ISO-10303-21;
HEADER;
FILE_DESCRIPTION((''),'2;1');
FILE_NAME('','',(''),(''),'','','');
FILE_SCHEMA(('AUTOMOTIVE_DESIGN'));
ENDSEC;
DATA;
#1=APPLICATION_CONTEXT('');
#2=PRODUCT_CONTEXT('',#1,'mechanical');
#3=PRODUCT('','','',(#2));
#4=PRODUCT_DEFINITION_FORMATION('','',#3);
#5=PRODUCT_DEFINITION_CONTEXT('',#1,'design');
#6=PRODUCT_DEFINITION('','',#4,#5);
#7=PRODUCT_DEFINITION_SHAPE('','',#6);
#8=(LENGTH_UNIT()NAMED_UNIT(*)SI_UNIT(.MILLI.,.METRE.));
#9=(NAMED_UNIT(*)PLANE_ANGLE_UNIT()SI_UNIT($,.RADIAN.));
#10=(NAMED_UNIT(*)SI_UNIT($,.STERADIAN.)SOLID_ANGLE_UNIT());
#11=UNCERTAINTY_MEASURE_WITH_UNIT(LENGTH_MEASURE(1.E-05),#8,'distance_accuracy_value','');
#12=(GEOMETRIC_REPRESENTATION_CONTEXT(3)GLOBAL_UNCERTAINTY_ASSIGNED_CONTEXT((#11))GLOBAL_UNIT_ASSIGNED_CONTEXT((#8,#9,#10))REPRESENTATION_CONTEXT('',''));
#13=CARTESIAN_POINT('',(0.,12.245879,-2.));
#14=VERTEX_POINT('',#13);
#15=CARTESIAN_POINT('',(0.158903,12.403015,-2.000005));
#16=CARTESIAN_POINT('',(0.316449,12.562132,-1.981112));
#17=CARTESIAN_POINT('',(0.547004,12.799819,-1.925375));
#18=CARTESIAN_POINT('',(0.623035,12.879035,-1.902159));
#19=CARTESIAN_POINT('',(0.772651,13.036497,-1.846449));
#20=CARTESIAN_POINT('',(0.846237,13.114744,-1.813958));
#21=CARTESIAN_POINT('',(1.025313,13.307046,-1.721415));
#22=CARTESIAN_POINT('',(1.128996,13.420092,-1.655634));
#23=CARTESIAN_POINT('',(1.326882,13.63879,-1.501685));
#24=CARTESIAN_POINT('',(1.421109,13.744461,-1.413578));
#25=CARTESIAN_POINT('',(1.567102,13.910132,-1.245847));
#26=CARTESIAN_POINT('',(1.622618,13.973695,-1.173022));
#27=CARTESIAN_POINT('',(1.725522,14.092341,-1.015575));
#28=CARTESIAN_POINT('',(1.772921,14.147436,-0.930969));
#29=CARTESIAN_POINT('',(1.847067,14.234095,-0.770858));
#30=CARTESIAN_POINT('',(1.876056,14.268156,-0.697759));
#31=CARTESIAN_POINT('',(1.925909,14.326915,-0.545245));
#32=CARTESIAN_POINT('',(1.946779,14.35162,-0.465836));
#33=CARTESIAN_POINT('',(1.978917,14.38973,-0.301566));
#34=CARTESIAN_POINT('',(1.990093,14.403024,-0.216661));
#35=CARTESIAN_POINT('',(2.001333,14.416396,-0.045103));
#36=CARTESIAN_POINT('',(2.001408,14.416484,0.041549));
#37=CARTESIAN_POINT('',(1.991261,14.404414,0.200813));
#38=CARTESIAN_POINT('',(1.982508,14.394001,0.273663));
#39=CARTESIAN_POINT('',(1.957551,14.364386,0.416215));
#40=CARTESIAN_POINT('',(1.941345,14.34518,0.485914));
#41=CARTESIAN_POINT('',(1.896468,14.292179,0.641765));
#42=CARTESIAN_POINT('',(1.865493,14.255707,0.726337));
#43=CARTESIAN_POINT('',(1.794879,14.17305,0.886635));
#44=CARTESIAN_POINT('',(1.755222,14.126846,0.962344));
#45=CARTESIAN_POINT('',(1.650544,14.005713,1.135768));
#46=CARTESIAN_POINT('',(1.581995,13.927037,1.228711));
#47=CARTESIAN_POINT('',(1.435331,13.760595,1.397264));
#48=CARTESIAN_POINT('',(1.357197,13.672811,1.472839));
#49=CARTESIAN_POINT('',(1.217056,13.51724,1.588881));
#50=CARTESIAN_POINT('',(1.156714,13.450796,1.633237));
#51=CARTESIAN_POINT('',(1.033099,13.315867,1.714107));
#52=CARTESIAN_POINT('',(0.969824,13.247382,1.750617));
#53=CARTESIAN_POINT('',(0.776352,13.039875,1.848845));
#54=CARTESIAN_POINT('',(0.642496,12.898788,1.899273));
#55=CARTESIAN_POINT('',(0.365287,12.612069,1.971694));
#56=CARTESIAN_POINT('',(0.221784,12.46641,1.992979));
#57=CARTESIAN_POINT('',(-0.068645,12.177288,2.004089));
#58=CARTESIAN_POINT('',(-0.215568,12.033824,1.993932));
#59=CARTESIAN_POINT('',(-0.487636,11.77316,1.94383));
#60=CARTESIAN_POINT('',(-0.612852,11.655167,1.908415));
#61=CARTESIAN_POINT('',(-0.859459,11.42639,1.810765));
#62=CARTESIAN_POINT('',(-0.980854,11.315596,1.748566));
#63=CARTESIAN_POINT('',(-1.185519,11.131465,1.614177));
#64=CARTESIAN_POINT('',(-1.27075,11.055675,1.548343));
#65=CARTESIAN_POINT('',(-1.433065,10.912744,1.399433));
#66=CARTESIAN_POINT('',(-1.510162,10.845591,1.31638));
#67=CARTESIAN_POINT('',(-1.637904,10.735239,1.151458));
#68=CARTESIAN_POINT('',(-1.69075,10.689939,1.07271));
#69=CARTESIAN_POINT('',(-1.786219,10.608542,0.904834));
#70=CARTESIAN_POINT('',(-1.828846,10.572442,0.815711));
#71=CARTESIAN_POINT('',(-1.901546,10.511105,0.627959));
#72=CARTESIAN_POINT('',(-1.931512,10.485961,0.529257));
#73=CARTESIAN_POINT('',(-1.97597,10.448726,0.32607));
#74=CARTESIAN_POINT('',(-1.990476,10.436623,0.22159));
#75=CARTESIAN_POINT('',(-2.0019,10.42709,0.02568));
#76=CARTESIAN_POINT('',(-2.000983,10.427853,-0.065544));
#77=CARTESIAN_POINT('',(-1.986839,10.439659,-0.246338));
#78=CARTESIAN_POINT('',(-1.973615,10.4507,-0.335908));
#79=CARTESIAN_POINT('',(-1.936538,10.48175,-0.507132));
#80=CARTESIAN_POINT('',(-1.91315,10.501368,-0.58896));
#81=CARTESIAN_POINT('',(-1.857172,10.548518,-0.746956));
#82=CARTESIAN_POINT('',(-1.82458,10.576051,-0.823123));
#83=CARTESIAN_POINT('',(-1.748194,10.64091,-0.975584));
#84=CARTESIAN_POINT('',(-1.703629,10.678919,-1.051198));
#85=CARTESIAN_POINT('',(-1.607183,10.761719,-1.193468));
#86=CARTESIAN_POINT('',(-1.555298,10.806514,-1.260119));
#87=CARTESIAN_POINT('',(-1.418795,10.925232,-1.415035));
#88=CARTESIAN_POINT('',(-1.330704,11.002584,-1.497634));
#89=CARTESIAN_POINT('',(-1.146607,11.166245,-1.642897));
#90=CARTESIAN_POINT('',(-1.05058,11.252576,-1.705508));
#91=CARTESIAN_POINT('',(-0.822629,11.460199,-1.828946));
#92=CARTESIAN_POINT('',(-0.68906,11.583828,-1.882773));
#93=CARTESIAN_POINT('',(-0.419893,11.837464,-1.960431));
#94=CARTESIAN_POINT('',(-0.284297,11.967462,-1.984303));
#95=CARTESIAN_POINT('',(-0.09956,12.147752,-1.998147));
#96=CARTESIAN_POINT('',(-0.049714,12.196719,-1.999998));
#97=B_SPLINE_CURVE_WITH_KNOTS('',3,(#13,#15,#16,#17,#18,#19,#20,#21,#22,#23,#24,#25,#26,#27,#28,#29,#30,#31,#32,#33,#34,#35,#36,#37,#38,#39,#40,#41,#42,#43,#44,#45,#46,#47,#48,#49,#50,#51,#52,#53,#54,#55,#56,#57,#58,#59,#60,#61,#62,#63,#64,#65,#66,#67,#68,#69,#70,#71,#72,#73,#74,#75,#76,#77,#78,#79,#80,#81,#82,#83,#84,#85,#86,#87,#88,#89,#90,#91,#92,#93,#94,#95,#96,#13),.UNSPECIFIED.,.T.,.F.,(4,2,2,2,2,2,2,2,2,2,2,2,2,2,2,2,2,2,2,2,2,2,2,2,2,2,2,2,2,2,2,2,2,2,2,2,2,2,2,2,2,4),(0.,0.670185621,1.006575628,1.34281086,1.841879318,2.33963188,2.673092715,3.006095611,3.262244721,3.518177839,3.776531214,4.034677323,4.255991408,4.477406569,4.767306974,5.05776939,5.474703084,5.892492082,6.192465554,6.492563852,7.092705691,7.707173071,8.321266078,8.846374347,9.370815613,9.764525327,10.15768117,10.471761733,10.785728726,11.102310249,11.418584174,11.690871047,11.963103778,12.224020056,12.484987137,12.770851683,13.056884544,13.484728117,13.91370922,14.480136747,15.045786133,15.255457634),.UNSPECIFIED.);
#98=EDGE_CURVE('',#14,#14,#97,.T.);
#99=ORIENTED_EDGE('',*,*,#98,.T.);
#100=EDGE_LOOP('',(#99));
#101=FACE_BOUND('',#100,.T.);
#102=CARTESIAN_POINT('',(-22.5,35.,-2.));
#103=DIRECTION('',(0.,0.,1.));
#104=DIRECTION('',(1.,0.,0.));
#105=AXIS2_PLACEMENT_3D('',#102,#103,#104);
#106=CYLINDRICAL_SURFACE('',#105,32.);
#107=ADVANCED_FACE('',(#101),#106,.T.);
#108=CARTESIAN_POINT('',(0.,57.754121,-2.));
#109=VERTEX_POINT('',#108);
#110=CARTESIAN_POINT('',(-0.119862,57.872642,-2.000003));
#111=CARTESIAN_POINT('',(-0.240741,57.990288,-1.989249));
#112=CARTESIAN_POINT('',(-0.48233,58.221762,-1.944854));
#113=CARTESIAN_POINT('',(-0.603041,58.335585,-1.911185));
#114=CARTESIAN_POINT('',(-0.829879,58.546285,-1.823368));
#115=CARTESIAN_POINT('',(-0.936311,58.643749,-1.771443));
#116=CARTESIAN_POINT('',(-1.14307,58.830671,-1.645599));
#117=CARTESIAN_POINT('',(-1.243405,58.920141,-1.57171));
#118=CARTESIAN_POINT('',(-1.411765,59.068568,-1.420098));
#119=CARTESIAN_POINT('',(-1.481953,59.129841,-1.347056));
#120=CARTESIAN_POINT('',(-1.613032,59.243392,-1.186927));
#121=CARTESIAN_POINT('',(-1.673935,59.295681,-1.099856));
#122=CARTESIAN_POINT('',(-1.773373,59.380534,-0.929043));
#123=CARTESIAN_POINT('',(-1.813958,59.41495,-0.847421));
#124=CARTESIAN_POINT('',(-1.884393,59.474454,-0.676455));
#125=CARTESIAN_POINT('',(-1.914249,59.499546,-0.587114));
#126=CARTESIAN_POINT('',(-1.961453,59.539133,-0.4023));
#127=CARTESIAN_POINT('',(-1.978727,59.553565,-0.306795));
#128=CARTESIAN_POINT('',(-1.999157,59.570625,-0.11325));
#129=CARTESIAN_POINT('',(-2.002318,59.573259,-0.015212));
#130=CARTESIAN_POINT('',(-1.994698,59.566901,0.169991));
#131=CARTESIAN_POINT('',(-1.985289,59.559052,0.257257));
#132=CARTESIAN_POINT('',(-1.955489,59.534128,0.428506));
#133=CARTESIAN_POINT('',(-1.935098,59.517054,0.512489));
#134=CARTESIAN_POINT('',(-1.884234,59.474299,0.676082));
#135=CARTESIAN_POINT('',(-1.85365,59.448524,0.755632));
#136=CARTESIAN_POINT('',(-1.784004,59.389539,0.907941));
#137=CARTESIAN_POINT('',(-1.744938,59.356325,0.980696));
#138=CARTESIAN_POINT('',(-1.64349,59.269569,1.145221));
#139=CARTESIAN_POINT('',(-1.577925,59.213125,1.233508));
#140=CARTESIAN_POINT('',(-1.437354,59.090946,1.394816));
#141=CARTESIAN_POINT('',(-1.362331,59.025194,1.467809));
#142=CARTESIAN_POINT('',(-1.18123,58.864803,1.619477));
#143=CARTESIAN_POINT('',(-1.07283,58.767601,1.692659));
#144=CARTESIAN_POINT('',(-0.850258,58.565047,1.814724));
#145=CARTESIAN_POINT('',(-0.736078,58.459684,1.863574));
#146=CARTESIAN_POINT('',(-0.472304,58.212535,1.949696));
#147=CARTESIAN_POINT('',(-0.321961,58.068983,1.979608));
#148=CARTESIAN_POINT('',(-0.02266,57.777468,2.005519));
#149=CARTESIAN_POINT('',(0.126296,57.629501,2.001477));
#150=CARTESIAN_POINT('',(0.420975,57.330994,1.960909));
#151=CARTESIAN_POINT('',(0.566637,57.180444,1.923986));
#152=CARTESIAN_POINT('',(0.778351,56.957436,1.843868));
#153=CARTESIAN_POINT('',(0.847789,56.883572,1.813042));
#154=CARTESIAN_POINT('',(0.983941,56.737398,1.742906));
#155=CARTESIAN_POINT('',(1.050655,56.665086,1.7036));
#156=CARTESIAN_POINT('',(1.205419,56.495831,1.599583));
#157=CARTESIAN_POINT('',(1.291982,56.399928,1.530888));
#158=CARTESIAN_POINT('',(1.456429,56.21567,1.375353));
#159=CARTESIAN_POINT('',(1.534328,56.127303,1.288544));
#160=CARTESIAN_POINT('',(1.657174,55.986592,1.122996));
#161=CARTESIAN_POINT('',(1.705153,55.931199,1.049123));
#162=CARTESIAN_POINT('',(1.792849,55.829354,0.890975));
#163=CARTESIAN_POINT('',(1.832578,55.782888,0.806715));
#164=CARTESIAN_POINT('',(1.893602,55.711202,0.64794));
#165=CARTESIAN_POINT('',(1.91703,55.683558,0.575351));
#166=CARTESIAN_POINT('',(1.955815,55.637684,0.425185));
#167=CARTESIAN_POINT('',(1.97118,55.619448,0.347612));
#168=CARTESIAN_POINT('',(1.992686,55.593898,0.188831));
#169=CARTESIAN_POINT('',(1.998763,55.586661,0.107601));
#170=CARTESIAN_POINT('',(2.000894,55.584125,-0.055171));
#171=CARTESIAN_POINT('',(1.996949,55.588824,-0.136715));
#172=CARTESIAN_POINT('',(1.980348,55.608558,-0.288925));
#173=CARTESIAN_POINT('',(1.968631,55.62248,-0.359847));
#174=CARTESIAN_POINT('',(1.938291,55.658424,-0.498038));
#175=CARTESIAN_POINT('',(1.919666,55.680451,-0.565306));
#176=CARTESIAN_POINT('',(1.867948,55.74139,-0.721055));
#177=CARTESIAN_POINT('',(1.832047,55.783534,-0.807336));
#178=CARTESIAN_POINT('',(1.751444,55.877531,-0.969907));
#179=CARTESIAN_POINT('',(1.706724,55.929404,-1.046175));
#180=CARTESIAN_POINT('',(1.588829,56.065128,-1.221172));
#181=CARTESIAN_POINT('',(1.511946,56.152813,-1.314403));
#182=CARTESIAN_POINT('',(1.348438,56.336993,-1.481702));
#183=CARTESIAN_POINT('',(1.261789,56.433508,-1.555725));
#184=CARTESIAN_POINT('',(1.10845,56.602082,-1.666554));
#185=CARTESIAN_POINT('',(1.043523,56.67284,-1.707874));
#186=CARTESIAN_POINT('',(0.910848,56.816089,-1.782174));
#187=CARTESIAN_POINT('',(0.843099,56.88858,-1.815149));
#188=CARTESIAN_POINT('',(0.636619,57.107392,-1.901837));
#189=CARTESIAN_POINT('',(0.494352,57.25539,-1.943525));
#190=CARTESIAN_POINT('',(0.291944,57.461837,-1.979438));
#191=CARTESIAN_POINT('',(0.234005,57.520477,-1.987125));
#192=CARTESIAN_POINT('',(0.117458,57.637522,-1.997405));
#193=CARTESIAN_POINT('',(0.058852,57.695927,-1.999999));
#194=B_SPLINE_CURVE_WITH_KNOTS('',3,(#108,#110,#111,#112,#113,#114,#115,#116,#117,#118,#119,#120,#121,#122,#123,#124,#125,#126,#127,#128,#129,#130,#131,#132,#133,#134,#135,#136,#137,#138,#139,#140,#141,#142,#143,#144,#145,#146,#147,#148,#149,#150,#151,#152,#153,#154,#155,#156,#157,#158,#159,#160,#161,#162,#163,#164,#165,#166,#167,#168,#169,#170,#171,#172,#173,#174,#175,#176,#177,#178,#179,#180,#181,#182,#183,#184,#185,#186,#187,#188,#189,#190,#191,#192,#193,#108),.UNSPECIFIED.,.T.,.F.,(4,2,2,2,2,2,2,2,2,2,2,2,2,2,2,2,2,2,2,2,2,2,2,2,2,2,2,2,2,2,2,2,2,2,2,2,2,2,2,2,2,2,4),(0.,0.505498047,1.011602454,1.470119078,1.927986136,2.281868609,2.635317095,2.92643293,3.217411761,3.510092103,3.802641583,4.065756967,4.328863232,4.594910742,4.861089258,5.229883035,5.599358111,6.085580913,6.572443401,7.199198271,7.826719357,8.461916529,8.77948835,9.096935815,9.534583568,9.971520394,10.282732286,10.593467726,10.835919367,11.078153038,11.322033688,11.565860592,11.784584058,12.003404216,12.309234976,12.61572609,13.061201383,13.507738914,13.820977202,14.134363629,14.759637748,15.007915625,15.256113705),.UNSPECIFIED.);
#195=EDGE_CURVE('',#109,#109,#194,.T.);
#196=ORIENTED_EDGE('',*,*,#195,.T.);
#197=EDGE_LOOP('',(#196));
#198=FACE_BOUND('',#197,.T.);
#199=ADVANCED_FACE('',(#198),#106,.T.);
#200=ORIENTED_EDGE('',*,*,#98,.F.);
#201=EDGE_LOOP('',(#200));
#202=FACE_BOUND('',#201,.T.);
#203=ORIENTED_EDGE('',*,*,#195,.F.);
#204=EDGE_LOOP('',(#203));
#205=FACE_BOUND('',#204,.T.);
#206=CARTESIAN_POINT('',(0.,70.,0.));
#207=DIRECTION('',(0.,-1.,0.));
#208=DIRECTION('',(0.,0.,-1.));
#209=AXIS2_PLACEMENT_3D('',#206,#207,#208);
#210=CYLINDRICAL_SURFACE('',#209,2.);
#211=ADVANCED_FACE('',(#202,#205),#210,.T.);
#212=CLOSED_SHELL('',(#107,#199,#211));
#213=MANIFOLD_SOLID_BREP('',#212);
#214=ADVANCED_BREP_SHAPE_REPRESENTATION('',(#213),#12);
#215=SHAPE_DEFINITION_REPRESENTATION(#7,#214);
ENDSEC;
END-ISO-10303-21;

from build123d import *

# Parameters (mm, degrees)
SKETCH1_R               = 2
BOSS_EXTRUDE1_DEPTH     = 70
CUT_EXTRUDE1_DEPTH      = 71.057119553
CUT_EXTRUDE1_DEPTH_BACK = 71.057119553
SKETCH3_R               = 62.205590152
SKETCH3_R_2             = 32


with BuildPart() as part:
    # Sketch1 → Boss-Extrude1 (new body)
    with BuildSketch(Plane(origin=(0, 0, 0), x_dir=(1, 0, 0), z_dir=(0, 1, 0))):
        with Locations(Location((0, 0, 0), (0, 0, 270))):
            Circle(SKETCH1_R)
    extrude(amount=BOSS_EXTRUDE1_DEPTH)

    # Sketch3 → Cut-Extrude1 (cut, two sides: drawn at the far end of the back side and taken through both)
    with BuildSketch(Plane.XY.offset(-CUT_EXTRUDE1_DEPTH_BACK)):
        with Locations((-22.5, 35)):
            Circle(SKETCH3_R)
        with Locations((-22.5, 35)):
            Circle(SKETCH3_R_2, mode=Mode.SUBTRACT)
    extrude(amount=CUT_EXTRUDE1_DEPTH + CUT_EXTRUDE1_DEPTH_BACK, mode=Mode.SUBTRACT)


solid = part.part
